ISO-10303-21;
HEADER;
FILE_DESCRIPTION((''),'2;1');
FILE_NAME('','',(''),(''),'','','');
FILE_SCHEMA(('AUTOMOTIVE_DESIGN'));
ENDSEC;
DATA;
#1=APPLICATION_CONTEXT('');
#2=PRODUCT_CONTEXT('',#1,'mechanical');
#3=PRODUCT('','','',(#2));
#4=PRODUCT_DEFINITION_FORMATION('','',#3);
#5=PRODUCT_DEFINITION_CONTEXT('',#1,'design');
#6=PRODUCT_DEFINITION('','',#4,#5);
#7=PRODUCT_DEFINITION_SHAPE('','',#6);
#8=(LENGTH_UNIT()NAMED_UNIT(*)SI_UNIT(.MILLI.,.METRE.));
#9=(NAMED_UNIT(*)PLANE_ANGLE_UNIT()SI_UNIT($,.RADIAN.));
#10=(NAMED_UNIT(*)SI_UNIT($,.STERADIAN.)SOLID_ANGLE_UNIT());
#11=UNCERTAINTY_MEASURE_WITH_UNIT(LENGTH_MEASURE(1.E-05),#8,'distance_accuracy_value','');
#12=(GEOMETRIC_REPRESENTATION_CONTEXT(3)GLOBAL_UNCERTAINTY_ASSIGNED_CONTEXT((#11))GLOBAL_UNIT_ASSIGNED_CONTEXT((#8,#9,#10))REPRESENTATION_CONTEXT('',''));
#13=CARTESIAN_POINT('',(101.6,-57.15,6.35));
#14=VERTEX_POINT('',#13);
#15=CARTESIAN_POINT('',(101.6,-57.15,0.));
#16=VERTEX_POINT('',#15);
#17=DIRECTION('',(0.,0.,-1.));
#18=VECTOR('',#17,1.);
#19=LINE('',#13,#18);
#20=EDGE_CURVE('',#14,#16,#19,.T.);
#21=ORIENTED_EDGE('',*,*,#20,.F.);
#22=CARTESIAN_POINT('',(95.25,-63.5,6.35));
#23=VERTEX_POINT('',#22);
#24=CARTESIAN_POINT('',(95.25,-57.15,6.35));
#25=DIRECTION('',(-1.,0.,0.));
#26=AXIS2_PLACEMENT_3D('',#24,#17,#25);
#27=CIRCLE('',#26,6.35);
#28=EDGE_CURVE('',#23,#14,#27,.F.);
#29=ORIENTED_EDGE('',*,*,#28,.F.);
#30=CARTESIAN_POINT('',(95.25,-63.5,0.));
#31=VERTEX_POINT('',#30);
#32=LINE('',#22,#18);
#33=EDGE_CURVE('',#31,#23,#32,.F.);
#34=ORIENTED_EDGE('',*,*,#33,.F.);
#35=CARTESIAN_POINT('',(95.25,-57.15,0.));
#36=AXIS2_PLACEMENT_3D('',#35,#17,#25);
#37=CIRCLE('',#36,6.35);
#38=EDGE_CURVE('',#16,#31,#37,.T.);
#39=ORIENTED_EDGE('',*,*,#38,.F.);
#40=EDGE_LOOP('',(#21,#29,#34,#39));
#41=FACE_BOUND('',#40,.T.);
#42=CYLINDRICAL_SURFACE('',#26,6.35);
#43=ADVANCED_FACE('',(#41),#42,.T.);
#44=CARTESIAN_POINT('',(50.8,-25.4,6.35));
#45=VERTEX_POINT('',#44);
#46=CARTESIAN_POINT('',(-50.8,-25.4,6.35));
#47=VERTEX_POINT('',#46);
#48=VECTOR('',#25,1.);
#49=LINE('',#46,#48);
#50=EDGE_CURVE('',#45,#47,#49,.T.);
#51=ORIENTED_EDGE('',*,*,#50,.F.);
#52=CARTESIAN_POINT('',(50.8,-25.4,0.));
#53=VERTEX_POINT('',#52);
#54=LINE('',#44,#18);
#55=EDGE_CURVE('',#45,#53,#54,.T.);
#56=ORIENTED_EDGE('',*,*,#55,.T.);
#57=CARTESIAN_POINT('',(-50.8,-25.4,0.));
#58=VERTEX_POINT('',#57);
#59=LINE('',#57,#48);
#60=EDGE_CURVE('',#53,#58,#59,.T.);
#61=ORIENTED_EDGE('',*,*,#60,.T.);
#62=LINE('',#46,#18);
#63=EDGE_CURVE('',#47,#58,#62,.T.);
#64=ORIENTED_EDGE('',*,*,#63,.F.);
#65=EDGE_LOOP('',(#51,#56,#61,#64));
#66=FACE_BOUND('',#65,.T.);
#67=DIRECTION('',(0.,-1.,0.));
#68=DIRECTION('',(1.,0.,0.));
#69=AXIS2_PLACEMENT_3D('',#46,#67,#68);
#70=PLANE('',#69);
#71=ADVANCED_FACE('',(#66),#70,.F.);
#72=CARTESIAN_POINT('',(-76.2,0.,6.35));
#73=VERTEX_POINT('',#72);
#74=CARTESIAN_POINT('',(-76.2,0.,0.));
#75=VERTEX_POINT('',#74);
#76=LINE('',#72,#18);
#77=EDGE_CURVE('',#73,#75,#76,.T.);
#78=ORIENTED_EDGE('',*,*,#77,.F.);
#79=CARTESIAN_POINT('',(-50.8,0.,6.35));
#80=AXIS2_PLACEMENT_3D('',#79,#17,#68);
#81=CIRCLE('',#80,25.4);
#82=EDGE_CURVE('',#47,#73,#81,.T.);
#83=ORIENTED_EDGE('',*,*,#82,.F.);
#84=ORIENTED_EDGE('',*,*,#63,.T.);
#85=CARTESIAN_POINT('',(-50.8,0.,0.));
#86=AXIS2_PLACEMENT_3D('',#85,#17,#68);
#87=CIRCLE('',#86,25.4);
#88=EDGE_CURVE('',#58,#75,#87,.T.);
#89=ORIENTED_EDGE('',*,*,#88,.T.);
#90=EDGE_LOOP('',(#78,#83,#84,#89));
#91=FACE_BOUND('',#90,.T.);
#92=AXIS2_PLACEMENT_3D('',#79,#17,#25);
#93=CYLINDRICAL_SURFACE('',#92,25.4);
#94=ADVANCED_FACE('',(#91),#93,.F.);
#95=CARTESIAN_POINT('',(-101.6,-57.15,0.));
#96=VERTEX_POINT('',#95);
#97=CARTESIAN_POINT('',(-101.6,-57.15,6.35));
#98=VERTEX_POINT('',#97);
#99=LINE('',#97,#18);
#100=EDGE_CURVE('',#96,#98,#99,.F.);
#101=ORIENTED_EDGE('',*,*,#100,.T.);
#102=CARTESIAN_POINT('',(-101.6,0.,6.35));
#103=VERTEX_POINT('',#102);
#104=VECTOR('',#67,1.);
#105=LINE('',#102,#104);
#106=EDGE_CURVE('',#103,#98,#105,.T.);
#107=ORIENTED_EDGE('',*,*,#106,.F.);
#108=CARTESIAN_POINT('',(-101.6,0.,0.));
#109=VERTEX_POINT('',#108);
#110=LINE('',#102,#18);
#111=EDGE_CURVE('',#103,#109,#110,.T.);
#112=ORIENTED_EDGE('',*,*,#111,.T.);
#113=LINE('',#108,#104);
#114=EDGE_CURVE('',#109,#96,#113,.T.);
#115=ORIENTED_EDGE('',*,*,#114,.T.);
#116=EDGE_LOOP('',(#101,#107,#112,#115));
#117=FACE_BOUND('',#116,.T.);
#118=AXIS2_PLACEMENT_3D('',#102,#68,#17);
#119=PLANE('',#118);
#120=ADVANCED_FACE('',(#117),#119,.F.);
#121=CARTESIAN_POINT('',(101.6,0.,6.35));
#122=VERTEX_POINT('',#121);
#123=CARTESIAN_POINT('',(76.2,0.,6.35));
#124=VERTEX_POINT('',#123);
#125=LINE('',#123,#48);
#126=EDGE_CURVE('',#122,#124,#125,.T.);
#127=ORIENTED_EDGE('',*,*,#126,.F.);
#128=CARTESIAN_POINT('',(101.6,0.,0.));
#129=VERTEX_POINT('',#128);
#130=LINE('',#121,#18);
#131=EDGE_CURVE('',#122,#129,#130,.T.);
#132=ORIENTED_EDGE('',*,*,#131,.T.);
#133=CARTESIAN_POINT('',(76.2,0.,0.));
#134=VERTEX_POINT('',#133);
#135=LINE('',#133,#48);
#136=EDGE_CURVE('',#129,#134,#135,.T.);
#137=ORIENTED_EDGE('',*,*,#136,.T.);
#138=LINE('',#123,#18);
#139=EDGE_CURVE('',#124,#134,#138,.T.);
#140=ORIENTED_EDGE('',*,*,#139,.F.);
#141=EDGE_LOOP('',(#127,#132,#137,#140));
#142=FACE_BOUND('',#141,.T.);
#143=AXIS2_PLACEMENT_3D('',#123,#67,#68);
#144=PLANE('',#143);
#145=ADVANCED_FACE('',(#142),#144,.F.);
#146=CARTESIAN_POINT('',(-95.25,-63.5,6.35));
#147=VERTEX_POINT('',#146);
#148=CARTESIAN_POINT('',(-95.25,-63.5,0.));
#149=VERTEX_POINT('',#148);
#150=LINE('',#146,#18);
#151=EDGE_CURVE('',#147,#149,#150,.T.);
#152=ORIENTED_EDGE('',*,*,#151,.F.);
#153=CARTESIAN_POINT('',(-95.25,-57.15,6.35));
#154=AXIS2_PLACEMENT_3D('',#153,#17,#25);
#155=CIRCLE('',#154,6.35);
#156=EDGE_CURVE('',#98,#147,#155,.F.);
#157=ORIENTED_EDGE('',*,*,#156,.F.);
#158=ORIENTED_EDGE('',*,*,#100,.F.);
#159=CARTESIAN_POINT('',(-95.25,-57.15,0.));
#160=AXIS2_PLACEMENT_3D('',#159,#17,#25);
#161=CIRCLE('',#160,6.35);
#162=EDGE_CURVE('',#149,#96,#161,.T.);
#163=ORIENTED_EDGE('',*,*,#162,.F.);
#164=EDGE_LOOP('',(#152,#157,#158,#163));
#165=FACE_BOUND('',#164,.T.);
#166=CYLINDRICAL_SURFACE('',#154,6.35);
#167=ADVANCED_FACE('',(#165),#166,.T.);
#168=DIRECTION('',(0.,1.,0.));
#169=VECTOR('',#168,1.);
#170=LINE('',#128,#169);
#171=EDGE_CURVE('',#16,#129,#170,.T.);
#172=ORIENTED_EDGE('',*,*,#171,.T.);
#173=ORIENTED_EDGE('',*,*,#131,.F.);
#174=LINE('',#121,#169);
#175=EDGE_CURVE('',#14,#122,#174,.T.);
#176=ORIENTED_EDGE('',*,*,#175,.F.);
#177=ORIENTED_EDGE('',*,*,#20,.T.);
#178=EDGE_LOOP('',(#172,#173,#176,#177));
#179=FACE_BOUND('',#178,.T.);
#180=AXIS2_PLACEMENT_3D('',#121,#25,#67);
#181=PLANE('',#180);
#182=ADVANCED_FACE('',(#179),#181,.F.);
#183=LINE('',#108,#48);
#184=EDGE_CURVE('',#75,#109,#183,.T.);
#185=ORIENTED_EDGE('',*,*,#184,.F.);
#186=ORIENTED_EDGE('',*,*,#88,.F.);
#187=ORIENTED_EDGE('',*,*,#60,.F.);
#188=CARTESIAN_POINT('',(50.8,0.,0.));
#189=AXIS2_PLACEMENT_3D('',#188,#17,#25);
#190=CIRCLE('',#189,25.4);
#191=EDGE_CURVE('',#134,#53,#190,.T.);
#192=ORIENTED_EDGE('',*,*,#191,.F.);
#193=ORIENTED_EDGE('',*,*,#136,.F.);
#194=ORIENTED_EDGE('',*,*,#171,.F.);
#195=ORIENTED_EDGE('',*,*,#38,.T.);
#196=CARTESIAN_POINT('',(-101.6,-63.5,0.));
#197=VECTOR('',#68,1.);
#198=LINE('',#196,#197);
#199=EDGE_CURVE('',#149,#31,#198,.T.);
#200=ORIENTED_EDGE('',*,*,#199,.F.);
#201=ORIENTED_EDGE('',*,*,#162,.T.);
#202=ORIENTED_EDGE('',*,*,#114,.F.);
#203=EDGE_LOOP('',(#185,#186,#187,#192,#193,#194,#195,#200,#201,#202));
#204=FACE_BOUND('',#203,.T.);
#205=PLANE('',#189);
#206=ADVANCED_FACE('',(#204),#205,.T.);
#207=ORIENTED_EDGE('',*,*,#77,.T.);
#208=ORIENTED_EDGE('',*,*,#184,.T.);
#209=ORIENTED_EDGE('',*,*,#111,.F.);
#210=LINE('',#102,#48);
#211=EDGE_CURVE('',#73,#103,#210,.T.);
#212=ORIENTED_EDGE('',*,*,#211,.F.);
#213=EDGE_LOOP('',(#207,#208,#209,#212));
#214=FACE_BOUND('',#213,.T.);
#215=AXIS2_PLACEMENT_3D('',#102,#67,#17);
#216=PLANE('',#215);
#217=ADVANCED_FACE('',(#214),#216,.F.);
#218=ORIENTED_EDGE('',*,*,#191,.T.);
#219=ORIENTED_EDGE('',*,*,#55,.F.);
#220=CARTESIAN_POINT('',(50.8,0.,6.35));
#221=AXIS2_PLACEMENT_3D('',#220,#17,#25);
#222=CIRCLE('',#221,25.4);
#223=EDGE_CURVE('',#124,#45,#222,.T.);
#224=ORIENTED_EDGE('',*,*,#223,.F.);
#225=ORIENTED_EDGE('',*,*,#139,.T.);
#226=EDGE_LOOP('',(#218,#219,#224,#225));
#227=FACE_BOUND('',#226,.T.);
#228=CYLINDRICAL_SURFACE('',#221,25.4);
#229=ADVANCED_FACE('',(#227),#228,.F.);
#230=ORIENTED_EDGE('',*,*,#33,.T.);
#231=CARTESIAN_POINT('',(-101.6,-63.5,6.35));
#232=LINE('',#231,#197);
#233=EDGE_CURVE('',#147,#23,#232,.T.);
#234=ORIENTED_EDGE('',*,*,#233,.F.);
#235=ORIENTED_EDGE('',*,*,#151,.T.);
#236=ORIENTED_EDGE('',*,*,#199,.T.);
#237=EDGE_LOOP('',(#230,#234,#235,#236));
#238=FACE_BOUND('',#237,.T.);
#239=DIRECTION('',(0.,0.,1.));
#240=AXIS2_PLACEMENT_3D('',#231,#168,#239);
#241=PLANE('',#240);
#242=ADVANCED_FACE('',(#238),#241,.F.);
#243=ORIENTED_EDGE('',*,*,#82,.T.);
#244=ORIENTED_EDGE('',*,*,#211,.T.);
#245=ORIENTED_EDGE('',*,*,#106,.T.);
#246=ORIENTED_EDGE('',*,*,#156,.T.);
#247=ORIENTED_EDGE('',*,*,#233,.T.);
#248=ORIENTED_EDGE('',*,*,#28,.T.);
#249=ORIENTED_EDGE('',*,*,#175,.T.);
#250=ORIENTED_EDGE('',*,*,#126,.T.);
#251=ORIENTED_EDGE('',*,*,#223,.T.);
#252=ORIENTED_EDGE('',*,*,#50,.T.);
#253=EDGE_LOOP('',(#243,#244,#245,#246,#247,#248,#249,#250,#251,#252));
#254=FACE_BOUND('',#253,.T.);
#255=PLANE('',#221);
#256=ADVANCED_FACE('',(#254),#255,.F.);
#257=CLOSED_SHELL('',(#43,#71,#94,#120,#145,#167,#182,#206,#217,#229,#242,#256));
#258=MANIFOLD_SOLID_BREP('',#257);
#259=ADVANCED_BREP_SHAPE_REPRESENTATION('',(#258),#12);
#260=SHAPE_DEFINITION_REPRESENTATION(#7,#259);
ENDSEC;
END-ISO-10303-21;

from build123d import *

# Parameters (mm, degrees)
EXTRUDE1_DEPTH = 6.35
FILLET1_R      = 6.35


with BuildPart() as part:
    # Sketch1 → Extrude1 (new body)
    with BuildSketch(Plane.XY):
        with BuildLine():
            Line((-101.6, 0), (-76.2, 0))
            ThreePointArc((-76.2, 0), (-68.760512242, -17.960512242), (-50.8, -25.4))
            Line((-50.8, -25.4), (50.8, -25.4))
            ThreePointArc((50.8, -25.4), (68.760512242, -17.960512242), (76.2, 0))
            Line((76.2, 0), (101.6, 0))
            Line((101.6, 0), (101.6, -63.5))
            Line((101.6, -63.5), (-101.6, -63.5))
            Line((-101.6, -63.5), (-101.6, 0))
        make_face()
    extrude(amount=EXTRUDE1_DEPTH)

    # Fillet1
    fillet1_edges = [part.edges().sort_by_distance(p)[0] for p in [
        (101.6, -63.5, 3.175),
        (-101.6, -63.5, 3.175),
    ]]
    fillet(fillet1_edges, radius=FILLET1_R)


solid = part.part
